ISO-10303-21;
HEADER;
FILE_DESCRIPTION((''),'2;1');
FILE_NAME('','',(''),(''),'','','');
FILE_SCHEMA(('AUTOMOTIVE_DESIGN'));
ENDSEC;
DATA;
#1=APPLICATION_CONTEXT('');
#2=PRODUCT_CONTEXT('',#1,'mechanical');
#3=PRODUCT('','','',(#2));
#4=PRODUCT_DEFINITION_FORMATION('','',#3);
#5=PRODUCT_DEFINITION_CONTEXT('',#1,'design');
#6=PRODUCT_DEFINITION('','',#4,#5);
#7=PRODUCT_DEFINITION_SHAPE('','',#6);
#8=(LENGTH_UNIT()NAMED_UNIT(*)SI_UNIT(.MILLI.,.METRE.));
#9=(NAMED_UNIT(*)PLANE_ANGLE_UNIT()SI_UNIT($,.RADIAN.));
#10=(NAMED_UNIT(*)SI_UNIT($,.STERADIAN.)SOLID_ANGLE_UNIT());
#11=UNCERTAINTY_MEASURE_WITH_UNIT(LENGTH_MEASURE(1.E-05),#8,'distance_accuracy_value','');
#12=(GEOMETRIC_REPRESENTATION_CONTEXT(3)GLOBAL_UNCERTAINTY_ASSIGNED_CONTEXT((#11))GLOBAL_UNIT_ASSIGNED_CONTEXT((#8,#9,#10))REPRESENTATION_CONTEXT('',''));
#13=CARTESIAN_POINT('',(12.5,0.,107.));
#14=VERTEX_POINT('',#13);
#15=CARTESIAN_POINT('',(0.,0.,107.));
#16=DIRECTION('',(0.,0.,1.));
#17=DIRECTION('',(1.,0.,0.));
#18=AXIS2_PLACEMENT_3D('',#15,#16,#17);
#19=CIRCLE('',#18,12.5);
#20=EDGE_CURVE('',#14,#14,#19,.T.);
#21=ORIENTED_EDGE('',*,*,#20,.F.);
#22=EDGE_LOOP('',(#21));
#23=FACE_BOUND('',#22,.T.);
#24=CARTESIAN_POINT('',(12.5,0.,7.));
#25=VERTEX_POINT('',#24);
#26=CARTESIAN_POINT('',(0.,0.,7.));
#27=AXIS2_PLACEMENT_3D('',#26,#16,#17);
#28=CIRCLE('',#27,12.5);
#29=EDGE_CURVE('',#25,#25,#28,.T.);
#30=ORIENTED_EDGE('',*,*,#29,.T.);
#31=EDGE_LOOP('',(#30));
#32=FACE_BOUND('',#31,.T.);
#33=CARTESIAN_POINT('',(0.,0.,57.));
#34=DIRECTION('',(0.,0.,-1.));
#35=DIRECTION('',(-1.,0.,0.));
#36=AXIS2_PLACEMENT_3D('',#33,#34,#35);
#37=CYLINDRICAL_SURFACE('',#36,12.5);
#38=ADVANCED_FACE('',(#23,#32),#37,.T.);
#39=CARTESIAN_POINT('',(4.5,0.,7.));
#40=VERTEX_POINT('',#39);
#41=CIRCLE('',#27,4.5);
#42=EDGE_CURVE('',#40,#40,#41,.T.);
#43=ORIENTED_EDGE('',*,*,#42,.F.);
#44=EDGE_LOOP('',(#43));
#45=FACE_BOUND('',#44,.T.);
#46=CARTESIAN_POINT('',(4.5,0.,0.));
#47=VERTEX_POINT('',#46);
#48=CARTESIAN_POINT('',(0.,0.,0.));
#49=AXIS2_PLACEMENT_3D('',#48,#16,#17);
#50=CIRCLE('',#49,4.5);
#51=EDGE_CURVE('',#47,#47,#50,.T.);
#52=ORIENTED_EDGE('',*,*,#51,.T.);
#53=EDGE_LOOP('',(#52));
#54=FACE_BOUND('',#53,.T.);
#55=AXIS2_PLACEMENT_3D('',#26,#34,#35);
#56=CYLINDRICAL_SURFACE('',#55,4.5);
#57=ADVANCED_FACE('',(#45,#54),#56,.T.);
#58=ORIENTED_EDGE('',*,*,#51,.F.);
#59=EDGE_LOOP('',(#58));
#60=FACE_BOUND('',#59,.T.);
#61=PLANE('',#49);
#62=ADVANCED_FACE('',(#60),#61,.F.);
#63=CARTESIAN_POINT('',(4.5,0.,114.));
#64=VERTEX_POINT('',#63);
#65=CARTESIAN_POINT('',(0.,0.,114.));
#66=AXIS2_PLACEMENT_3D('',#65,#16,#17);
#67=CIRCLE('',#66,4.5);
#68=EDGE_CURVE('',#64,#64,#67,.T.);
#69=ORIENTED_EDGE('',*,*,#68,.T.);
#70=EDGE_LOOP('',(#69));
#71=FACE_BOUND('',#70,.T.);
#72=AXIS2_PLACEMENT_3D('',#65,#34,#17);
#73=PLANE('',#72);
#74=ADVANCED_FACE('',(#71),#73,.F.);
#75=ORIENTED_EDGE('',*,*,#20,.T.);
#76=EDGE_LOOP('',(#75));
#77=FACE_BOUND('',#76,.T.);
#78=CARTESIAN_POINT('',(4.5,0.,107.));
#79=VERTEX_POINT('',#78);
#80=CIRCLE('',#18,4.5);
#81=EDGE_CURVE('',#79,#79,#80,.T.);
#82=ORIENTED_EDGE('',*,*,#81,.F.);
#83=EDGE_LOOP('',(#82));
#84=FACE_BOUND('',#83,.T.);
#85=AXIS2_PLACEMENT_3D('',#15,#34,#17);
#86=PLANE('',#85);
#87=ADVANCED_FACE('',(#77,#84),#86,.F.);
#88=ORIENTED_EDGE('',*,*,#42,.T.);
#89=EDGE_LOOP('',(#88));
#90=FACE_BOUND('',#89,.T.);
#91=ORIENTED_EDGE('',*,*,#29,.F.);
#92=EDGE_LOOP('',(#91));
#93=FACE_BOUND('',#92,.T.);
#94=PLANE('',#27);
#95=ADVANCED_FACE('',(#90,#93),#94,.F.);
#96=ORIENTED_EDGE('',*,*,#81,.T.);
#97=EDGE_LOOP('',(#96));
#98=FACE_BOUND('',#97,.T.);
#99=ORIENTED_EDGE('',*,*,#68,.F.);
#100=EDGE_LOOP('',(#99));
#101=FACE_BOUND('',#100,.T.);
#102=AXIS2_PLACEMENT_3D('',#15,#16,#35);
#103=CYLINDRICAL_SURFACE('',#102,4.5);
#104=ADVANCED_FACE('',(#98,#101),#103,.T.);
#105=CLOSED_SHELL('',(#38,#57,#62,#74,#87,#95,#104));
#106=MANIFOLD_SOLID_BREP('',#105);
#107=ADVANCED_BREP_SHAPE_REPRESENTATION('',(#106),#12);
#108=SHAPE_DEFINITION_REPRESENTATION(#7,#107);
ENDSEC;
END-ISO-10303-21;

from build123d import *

# Parameters (mm, degrees)
SKETCH2_R           = 4.5
BOSS_EXTRUDE1_DEPTH = 7
SKETCH3_R           = 12.5
BOSS_EXTRUDE2_DEPTH = 50


with BuildPart() as part:
    # Sketch2 → Boss-Extrude1 (new body)
    with BuildSketch(Plane.XY):
        Circle(SKETCH2_R)
    extrude(amount=BOSS_EXTRUDE1_DEPTH)

    # Sketch3 → Boss-Extrude2 (add)
    with BuildSketch(Plane.XY.offset(7)):
        Circle(SKETCH3_R)
    extrude(amount=BOSS_EXTRUDE2_DEPTH)

    # Mirror1: part across plane


with BuildPart() as part_1:
    add(part.part)
    add(part.part.mirror(Plane.XY.offset(57)))


solid = part_1.part
